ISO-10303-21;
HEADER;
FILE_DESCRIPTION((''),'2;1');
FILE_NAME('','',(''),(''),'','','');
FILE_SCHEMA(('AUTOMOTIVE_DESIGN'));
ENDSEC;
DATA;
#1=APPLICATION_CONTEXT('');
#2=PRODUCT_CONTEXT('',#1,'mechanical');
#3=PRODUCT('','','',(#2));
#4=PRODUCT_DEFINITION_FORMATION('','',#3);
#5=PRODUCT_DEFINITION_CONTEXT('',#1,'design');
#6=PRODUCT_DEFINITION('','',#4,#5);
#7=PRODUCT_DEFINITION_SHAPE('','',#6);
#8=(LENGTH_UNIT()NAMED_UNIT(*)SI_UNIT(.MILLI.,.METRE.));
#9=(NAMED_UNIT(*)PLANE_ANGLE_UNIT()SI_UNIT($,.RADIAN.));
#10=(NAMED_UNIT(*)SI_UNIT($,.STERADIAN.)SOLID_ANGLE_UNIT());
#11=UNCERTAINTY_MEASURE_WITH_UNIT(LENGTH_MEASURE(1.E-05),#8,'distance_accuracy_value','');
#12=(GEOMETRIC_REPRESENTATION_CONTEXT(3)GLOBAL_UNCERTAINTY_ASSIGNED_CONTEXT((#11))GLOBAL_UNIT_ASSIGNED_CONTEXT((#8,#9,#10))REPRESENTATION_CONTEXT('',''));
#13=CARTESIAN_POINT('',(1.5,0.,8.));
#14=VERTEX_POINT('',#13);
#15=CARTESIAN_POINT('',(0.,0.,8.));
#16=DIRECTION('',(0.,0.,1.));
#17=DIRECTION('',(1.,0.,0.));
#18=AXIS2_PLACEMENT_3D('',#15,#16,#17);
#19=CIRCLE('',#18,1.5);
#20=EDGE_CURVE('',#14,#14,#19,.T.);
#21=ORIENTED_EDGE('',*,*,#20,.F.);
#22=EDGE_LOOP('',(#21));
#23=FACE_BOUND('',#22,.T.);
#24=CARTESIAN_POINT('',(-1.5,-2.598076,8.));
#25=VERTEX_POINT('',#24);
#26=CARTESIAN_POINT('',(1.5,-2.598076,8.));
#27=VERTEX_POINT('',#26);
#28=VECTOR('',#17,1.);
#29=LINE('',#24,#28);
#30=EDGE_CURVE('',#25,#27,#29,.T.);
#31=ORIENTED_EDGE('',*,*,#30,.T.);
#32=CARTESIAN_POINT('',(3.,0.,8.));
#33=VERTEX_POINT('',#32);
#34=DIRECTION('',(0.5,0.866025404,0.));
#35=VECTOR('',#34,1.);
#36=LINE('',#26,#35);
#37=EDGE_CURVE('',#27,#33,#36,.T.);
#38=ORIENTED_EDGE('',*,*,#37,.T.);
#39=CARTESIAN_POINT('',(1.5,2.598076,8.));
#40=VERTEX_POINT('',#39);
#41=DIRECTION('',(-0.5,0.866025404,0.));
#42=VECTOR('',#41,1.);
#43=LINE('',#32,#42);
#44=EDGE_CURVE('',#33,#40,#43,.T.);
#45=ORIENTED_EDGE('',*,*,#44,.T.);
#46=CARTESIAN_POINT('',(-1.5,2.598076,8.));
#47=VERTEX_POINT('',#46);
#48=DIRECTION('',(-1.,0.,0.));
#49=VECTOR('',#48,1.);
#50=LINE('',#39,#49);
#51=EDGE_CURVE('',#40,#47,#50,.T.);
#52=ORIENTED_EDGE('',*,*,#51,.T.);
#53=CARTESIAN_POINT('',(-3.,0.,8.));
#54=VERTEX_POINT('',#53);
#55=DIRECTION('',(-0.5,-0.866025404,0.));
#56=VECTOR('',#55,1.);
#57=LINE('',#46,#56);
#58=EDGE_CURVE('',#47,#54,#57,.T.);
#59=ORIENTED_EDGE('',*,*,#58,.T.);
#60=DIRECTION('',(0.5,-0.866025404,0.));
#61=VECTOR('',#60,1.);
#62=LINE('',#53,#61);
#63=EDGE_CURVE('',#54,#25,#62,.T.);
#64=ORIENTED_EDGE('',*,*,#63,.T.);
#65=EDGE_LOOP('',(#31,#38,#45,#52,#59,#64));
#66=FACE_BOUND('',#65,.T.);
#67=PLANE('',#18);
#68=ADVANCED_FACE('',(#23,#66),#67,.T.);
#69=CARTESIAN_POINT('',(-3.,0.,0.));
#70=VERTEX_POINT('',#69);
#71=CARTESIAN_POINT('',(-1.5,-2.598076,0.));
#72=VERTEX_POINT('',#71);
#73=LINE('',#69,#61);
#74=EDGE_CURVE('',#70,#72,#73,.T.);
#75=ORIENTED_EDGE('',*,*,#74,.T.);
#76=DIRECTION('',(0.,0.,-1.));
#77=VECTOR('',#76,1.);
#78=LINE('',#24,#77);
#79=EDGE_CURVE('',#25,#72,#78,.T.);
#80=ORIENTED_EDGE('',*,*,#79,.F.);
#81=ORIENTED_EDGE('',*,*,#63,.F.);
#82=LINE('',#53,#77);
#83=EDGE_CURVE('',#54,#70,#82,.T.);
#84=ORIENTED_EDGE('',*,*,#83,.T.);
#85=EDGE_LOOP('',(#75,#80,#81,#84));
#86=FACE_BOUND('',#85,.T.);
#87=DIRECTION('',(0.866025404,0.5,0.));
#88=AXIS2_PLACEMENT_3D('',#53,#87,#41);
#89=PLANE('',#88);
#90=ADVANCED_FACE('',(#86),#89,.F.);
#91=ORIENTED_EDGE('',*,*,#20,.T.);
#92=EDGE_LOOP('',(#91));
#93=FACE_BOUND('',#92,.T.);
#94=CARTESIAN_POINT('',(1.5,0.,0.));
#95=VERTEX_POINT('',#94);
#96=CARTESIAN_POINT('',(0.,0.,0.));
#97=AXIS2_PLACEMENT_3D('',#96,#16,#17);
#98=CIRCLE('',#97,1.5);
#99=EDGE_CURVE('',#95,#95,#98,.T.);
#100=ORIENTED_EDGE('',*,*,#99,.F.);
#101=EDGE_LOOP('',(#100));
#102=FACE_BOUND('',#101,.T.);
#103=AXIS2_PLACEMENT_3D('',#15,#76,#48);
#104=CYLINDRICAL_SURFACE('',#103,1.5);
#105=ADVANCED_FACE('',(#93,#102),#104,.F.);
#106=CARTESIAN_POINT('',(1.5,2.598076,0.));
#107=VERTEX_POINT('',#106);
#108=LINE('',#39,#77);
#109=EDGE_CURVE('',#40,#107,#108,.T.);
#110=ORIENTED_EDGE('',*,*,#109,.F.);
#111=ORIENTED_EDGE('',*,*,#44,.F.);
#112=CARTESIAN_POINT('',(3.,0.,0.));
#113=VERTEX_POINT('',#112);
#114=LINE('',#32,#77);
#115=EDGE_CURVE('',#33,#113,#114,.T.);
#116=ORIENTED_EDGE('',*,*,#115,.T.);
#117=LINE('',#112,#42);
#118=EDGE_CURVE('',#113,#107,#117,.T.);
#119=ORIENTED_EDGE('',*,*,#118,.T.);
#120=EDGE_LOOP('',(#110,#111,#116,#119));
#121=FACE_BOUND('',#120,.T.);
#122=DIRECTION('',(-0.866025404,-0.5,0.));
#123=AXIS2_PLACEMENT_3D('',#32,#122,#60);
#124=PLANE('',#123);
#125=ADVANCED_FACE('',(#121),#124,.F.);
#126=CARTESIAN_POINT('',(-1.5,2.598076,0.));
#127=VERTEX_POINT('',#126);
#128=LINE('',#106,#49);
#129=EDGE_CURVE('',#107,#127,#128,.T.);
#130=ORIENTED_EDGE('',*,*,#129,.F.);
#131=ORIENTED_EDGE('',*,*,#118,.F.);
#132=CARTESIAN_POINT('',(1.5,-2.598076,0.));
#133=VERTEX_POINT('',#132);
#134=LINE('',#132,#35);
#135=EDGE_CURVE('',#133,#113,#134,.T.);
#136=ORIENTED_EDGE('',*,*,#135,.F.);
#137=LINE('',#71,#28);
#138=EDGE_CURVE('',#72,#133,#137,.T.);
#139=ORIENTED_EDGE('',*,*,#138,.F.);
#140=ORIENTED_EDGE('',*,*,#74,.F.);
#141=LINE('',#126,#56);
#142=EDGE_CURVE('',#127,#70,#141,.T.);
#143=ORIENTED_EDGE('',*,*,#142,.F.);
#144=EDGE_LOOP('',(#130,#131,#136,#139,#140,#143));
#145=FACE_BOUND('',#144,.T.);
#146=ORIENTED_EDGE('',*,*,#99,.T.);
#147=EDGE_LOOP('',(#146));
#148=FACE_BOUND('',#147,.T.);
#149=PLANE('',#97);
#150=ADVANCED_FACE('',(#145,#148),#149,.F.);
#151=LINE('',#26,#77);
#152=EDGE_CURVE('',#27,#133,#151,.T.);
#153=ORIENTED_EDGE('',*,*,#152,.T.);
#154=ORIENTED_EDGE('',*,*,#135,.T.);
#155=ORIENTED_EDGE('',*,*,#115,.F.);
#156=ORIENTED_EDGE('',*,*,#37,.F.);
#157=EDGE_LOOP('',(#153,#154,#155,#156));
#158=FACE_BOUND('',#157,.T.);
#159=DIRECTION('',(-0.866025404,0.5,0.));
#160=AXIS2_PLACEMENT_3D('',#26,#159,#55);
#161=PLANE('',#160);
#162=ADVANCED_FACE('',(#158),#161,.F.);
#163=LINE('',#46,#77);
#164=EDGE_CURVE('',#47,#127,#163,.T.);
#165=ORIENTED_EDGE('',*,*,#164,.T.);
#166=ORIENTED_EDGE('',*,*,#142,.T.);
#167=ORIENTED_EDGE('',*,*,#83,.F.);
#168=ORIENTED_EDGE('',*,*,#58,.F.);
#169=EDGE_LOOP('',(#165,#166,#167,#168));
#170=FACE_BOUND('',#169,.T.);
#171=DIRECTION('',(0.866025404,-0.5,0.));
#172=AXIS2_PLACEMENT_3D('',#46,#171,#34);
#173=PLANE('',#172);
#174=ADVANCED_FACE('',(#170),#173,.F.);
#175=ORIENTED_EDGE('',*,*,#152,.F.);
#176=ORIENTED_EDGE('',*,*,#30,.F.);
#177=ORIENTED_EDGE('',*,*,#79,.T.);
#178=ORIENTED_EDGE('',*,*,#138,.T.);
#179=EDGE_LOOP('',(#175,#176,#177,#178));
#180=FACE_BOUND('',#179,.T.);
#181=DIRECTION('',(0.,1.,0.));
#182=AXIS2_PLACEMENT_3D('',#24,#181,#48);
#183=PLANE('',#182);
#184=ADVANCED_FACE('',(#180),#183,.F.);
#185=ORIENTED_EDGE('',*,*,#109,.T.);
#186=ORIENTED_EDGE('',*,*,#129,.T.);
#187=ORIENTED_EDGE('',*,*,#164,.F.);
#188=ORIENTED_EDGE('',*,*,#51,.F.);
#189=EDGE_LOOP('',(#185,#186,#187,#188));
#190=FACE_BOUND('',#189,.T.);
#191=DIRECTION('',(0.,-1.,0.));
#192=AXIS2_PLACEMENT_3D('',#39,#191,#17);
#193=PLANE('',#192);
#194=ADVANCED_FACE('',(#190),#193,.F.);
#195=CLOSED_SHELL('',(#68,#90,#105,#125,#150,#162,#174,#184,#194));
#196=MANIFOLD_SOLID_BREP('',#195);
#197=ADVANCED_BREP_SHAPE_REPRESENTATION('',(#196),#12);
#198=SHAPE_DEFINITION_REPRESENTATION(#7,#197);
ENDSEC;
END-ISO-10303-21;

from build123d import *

# Parameters (mm, degrees)
SKETCH_1_R      = 1.5
EXTRUDE_1_DEPTH = 8


with BuildPart() as part:
    # 草图1 → 凸台-拉伸1 (new body)
    with BuildSketch(Plane.XY):
        Polygon((-1.5, 2.598076211), (-3, 0), (-1.5, -2.598076211), (1.5, -2.598076211), (3, 0), (1.5, 2.598076211), align=None)
        Circle(SKETCH_1_R, mode=Mode.SUBTRACT)
    extrude(amount=EXTRUDE_1_DEPTH)


solid = part.part
